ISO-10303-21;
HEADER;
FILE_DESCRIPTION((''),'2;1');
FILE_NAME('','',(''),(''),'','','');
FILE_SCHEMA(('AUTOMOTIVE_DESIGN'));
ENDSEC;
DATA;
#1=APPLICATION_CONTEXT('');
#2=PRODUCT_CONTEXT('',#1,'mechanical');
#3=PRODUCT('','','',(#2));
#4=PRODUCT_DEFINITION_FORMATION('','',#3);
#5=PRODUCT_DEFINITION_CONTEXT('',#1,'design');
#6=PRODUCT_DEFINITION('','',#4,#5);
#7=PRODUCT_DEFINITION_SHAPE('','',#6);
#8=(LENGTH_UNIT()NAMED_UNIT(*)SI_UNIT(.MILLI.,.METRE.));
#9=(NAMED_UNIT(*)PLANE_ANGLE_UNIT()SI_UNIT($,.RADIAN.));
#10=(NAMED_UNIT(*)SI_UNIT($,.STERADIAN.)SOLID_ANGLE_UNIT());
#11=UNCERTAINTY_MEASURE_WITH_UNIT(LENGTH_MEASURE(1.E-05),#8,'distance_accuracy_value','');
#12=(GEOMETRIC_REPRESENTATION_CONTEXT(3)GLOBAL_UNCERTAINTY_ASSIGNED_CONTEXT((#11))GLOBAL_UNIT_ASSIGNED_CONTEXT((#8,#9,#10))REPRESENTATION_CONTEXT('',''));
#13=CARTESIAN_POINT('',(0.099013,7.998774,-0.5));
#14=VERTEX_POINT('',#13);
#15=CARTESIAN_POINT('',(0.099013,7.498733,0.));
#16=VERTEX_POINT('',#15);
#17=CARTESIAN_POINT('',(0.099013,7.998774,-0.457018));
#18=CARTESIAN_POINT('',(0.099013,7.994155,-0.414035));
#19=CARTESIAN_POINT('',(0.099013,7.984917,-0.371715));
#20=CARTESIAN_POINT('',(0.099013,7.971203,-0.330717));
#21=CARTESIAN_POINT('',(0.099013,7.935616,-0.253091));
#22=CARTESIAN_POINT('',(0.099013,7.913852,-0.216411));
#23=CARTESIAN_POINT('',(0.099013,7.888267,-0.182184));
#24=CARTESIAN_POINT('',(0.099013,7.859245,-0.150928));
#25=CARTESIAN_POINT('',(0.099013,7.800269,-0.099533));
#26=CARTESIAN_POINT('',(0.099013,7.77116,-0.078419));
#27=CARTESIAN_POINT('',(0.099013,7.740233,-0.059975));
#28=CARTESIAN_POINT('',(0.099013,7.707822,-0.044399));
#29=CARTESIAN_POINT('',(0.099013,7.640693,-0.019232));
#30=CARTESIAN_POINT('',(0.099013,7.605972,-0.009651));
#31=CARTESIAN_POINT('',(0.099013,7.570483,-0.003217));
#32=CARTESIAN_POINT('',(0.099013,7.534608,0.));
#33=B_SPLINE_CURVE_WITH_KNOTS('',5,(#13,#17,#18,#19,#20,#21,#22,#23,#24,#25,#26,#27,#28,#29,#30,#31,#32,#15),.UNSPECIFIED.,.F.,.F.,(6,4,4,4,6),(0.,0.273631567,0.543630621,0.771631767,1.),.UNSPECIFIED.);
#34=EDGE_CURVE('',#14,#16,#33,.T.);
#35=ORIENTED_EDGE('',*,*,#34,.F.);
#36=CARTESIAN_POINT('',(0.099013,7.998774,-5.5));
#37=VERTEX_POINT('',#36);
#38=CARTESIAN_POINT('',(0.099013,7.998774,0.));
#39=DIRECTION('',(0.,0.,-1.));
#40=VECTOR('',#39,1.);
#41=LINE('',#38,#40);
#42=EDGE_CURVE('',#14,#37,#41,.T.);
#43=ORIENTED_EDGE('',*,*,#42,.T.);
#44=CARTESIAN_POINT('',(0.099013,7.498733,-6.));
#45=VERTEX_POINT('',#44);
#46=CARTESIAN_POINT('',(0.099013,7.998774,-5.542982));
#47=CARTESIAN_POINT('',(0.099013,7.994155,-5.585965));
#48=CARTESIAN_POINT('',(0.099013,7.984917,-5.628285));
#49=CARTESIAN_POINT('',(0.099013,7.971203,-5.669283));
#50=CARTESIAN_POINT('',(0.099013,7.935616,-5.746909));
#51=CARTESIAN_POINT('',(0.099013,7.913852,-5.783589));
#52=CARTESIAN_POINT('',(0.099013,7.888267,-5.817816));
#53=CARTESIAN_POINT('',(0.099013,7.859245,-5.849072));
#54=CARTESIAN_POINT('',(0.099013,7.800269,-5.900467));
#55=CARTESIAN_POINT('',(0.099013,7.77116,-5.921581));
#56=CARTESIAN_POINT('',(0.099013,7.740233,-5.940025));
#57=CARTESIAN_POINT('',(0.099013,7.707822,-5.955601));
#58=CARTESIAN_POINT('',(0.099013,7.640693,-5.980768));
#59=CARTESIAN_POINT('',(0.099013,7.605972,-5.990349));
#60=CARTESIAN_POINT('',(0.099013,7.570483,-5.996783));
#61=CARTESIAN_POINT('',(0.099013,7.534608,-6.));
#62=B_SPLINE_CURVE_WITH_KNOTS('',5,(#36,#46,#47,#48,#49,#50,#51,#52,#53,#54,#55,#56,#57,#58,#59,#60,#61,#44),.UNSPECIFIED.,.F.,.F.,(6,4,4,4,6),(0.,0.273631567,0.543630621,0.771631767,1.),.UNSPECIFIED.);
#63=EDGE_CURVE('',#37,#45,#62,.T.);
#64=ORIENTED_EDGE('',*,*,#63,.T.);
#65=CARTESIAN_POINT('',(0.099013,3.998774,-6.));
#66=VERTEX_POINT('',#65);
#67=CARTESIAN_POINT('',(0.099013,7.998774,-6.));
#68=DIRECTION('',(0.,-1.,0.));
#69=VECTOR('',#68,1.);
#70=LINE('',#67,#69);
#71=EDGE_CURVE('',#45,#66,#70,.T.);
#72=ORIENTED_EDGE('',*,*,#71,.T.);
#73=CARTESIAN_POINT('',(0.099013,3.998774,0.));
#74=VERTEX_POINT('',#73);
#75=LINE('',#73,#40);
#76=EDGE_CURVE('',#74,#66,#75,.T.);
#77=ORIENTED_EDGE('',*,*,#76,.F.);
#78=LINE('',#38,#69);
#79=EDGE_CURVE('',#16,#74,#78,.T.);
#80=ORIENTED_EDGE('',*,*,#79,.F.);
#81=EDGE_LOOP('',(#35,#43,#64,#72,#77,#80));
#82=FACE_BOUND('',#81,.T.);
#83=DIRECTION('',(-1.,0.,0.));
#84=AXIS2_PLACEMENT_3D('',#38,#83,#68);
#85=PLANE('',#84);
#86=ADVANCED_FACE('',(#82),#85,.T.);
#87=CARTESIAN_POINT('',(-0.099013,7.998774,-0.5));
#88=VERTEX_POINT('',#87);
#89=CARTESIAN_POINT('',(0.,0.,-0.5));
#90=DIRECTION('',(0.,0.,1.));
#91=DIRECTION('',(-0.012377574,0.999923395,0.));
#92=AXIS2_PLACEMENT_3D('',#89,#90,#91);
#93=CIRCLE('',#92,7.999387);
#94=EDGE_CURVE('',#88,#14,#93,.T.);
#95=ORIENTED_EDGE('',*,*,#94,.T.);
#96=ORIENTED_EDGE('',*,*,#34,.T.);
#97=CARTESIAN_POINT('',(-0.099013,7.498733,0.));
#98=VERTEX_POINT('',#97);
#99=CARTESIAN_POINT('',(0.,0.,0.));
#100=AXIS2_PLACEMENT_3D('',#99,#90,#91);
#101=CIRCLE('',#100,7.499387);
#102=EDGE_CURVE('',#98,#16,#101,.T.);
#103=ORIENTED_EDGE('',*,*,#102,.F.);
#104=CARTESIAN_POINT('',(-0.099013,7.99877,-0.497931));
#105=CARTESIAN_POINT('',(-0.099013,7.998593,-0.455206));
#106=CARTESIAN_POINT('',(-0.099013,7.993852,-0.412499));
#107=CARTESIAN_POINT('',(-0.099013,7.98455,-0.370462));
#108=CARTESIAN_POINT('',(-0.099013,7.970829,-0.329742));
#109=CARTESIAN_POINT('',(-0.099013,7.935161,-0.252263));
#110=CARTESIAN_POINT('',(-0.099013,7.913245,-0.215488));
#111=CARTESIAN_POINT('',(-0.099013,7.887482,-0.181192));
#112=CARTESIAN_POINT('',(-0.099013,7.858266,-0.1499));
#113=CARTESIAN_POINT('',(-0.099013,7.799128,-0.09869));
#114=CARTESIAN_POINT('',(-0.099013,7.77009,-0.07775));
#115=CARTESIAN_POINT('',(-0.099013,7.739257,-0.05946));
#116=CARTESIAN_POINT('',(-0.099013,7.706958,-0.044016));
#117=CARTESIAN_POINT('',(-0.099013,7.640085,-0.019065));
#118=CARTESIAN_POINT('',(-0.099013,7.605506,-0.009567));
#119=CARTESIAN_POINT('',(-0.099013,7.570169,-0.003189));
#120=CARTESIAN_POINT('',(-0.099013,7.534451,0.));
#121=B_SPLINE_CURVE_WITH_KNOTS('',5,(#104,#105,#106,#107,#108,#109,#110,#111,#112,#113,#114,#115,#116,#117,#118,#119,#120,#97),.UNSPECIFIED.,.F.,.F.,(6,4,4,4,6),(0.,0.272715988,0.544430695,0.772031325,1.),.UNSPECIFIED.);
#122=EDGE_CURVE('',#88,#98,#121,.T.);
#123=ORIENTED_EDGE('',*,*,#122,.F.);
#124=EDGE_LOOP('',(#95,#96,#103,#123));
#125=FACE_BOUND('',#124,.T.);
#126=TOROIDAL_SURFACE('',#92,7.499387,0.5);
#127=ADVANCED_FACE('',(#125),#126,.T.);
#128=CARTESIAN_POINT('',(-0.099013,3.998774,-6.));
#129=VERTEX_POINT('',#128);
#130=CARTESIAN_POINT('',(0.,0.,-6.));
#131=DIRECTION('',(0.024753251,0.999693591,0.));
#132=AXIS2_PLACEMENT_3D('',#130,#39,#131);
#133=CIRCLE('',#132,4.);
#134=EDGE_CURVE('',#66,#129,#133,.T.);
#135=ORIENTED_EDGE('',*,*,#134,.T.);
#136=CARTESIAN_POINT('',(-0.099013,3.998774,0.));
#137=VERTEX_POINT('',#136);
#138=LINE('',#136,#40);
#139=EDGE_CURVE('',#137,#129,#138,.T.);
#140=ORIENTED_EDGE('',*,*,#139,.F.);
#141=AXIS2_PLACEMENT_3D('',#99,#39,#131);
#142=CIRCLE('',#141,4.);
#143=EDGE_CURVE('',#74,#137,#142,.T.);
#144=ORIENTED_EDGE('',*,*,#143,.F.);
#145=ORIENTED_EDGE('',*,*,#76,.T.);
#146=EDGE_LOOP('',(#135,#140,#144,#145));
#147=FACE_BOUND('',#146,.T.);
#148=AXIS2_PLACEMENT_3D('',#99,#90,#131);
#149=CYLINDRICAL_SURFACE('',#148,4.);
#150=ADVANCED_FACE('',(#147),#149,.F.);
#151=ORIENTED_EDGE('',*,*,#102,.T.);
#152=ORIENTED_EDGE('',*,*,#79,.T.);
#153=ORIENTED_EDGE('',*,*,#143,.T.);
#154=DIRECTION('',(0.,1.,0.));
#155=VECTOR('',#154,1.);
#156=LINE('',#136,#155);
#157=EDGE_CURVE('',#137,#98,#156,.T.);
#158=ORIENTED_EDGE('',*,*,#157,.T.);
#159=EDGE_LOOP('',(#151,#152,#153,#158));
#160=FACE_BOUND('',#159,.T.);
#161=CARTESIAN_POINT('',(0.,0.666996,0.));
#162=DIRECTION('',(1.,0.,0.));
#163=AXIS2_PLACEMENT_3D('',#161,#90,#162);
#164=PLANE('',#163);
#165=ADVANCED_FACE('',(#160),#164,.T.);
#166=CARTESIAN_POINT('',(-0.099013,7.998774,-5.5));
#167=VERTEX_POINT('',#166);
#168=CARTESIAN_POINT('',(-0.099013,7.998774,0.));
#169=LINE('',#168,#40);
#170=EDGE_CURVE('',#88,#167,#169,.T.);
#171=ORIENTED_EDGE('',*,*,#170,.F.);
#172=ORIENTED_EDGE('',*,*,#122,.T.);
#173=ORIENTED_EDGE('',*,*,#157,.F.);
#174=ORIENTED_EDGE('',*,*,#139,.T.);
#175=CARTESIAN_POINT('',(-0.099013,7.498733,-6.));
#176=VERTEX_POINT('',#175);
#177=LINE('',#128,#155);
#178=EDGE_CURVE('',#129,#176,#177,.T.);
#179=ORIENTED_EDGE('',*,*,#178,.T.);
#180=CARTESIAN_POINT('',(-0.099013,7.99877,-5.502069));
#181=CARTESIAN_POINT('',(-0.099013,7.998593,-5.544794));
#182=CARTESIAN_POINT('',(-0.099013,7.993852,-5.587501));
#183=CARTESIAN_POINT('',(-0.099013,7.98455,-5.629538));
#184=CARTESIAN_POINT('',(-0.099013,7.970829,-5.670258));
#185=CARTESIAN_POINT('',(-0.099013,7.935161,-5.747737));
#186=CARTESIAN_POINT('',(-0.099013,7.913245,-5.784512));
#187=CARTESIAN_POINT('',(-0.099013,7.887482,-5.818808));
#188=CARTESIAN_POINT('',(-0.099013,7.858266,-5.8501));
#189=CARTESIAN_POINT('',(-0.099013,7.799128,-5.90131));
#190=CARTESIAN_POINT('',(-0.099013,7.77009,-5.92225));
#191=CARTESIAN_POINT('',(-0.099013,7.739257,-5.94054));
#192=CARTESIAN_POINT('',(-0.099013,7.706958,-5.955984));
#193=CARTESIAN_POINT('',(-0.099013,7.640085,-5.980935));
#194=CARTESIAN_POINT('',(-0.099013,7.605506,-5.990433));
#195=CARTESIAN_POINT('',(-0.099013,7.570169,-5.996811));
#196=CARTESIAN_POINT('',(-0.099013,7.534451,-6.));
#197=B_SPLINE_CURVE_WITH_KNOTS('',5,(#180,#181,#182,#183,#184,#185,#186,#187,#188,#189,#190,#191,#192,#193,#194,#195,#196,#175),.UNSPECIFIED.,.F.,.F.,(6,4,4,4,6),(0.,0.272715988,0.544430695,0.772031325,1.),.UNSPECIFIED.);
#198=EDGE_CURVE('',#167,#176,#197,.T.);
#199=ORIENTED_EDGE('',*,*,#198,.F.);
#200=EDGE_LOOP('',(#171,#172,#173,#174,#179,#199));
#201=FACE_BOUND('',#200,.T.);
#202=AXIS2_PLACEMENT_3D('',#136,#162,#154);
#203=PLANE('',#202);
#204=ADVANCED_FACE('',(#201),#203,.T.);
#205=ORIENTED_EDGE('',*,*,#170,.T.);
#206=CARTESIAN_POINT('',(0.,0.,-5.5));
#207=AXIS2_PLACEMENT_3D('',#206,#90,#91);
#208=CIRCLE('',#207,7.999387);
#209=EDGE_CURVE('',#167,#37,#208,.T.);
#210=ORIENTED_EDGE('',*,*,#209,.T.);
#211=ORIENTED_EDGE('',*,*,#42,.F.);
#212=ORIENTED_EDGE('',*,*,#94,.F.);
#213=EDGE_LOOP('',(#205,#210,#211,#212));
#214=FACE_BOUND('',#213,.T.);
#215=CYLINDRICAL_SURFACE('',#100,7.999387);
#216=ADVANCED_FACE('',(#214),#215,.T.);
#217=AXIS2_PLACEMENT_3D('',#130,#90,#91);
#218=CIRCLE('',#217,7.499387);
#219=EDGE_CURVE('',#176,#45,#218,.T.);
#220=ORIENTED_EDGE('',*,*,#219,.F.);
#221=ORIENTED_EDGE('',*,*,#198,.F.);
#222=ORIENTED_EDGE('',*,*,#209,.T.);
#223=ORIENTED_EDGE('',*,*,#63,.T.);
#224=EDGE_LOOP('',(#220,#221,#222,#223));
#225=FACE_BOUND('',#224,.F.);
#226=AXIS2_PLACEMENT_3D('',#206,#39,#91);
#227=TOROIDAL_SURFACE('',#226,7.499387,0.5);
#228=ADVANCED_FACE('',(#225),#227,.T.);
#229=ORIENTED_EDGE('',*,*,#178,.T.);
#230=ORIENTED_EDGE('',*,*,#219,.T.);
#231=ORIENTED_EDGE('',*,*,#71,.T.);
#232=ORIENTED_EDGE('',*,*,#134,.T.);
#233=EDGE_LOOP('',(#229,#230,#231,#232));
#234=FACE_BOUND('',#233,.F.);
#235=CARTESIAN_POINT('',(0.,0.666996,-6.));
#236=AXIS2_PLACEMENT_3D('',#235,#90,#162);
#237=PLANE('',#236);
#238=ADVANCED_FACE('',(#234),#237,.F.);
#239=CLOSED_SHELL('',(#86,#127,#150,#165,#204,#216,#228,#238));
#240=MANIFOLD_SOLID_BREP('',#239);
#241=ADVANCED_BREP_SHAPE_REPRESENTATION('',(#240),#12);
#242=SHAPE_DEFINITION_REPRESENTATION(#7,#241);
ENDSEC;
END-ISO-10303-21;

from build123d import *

# Parameters (mm, degrees)
F1_DEPTH = 6
F2_R     = 0.5


with BuildPart() as f1:
    # F0 (on Top) → F1 (new body)
    with BuildSketch(Plane.XY):
        with BuildLine():
            Line((-0.099013, 3.998774), (-0.099013, 7.998774))
            ThreePointArc((-0.099013, 7.998774), (0, -7.999387), (0.099013, 7.998774))
            Line((0.099013, 7.998774), (0.099013, 3.998774))
            ThreePointArc((0.099013, 3.998774), (0, -4), (-0.099013, 3.998774))
        make_face()
    extrude(amount=-F1_DEPTH)

    # F2
    f2_edges = [f1.edges().sort_by_distance(p)[0] for p in [
        (0, -7.999387, 0),
        (0, -7.999387, -6),
    ]]
    fillet(f2_edges, radius=F2_R)


solid = f1.part
